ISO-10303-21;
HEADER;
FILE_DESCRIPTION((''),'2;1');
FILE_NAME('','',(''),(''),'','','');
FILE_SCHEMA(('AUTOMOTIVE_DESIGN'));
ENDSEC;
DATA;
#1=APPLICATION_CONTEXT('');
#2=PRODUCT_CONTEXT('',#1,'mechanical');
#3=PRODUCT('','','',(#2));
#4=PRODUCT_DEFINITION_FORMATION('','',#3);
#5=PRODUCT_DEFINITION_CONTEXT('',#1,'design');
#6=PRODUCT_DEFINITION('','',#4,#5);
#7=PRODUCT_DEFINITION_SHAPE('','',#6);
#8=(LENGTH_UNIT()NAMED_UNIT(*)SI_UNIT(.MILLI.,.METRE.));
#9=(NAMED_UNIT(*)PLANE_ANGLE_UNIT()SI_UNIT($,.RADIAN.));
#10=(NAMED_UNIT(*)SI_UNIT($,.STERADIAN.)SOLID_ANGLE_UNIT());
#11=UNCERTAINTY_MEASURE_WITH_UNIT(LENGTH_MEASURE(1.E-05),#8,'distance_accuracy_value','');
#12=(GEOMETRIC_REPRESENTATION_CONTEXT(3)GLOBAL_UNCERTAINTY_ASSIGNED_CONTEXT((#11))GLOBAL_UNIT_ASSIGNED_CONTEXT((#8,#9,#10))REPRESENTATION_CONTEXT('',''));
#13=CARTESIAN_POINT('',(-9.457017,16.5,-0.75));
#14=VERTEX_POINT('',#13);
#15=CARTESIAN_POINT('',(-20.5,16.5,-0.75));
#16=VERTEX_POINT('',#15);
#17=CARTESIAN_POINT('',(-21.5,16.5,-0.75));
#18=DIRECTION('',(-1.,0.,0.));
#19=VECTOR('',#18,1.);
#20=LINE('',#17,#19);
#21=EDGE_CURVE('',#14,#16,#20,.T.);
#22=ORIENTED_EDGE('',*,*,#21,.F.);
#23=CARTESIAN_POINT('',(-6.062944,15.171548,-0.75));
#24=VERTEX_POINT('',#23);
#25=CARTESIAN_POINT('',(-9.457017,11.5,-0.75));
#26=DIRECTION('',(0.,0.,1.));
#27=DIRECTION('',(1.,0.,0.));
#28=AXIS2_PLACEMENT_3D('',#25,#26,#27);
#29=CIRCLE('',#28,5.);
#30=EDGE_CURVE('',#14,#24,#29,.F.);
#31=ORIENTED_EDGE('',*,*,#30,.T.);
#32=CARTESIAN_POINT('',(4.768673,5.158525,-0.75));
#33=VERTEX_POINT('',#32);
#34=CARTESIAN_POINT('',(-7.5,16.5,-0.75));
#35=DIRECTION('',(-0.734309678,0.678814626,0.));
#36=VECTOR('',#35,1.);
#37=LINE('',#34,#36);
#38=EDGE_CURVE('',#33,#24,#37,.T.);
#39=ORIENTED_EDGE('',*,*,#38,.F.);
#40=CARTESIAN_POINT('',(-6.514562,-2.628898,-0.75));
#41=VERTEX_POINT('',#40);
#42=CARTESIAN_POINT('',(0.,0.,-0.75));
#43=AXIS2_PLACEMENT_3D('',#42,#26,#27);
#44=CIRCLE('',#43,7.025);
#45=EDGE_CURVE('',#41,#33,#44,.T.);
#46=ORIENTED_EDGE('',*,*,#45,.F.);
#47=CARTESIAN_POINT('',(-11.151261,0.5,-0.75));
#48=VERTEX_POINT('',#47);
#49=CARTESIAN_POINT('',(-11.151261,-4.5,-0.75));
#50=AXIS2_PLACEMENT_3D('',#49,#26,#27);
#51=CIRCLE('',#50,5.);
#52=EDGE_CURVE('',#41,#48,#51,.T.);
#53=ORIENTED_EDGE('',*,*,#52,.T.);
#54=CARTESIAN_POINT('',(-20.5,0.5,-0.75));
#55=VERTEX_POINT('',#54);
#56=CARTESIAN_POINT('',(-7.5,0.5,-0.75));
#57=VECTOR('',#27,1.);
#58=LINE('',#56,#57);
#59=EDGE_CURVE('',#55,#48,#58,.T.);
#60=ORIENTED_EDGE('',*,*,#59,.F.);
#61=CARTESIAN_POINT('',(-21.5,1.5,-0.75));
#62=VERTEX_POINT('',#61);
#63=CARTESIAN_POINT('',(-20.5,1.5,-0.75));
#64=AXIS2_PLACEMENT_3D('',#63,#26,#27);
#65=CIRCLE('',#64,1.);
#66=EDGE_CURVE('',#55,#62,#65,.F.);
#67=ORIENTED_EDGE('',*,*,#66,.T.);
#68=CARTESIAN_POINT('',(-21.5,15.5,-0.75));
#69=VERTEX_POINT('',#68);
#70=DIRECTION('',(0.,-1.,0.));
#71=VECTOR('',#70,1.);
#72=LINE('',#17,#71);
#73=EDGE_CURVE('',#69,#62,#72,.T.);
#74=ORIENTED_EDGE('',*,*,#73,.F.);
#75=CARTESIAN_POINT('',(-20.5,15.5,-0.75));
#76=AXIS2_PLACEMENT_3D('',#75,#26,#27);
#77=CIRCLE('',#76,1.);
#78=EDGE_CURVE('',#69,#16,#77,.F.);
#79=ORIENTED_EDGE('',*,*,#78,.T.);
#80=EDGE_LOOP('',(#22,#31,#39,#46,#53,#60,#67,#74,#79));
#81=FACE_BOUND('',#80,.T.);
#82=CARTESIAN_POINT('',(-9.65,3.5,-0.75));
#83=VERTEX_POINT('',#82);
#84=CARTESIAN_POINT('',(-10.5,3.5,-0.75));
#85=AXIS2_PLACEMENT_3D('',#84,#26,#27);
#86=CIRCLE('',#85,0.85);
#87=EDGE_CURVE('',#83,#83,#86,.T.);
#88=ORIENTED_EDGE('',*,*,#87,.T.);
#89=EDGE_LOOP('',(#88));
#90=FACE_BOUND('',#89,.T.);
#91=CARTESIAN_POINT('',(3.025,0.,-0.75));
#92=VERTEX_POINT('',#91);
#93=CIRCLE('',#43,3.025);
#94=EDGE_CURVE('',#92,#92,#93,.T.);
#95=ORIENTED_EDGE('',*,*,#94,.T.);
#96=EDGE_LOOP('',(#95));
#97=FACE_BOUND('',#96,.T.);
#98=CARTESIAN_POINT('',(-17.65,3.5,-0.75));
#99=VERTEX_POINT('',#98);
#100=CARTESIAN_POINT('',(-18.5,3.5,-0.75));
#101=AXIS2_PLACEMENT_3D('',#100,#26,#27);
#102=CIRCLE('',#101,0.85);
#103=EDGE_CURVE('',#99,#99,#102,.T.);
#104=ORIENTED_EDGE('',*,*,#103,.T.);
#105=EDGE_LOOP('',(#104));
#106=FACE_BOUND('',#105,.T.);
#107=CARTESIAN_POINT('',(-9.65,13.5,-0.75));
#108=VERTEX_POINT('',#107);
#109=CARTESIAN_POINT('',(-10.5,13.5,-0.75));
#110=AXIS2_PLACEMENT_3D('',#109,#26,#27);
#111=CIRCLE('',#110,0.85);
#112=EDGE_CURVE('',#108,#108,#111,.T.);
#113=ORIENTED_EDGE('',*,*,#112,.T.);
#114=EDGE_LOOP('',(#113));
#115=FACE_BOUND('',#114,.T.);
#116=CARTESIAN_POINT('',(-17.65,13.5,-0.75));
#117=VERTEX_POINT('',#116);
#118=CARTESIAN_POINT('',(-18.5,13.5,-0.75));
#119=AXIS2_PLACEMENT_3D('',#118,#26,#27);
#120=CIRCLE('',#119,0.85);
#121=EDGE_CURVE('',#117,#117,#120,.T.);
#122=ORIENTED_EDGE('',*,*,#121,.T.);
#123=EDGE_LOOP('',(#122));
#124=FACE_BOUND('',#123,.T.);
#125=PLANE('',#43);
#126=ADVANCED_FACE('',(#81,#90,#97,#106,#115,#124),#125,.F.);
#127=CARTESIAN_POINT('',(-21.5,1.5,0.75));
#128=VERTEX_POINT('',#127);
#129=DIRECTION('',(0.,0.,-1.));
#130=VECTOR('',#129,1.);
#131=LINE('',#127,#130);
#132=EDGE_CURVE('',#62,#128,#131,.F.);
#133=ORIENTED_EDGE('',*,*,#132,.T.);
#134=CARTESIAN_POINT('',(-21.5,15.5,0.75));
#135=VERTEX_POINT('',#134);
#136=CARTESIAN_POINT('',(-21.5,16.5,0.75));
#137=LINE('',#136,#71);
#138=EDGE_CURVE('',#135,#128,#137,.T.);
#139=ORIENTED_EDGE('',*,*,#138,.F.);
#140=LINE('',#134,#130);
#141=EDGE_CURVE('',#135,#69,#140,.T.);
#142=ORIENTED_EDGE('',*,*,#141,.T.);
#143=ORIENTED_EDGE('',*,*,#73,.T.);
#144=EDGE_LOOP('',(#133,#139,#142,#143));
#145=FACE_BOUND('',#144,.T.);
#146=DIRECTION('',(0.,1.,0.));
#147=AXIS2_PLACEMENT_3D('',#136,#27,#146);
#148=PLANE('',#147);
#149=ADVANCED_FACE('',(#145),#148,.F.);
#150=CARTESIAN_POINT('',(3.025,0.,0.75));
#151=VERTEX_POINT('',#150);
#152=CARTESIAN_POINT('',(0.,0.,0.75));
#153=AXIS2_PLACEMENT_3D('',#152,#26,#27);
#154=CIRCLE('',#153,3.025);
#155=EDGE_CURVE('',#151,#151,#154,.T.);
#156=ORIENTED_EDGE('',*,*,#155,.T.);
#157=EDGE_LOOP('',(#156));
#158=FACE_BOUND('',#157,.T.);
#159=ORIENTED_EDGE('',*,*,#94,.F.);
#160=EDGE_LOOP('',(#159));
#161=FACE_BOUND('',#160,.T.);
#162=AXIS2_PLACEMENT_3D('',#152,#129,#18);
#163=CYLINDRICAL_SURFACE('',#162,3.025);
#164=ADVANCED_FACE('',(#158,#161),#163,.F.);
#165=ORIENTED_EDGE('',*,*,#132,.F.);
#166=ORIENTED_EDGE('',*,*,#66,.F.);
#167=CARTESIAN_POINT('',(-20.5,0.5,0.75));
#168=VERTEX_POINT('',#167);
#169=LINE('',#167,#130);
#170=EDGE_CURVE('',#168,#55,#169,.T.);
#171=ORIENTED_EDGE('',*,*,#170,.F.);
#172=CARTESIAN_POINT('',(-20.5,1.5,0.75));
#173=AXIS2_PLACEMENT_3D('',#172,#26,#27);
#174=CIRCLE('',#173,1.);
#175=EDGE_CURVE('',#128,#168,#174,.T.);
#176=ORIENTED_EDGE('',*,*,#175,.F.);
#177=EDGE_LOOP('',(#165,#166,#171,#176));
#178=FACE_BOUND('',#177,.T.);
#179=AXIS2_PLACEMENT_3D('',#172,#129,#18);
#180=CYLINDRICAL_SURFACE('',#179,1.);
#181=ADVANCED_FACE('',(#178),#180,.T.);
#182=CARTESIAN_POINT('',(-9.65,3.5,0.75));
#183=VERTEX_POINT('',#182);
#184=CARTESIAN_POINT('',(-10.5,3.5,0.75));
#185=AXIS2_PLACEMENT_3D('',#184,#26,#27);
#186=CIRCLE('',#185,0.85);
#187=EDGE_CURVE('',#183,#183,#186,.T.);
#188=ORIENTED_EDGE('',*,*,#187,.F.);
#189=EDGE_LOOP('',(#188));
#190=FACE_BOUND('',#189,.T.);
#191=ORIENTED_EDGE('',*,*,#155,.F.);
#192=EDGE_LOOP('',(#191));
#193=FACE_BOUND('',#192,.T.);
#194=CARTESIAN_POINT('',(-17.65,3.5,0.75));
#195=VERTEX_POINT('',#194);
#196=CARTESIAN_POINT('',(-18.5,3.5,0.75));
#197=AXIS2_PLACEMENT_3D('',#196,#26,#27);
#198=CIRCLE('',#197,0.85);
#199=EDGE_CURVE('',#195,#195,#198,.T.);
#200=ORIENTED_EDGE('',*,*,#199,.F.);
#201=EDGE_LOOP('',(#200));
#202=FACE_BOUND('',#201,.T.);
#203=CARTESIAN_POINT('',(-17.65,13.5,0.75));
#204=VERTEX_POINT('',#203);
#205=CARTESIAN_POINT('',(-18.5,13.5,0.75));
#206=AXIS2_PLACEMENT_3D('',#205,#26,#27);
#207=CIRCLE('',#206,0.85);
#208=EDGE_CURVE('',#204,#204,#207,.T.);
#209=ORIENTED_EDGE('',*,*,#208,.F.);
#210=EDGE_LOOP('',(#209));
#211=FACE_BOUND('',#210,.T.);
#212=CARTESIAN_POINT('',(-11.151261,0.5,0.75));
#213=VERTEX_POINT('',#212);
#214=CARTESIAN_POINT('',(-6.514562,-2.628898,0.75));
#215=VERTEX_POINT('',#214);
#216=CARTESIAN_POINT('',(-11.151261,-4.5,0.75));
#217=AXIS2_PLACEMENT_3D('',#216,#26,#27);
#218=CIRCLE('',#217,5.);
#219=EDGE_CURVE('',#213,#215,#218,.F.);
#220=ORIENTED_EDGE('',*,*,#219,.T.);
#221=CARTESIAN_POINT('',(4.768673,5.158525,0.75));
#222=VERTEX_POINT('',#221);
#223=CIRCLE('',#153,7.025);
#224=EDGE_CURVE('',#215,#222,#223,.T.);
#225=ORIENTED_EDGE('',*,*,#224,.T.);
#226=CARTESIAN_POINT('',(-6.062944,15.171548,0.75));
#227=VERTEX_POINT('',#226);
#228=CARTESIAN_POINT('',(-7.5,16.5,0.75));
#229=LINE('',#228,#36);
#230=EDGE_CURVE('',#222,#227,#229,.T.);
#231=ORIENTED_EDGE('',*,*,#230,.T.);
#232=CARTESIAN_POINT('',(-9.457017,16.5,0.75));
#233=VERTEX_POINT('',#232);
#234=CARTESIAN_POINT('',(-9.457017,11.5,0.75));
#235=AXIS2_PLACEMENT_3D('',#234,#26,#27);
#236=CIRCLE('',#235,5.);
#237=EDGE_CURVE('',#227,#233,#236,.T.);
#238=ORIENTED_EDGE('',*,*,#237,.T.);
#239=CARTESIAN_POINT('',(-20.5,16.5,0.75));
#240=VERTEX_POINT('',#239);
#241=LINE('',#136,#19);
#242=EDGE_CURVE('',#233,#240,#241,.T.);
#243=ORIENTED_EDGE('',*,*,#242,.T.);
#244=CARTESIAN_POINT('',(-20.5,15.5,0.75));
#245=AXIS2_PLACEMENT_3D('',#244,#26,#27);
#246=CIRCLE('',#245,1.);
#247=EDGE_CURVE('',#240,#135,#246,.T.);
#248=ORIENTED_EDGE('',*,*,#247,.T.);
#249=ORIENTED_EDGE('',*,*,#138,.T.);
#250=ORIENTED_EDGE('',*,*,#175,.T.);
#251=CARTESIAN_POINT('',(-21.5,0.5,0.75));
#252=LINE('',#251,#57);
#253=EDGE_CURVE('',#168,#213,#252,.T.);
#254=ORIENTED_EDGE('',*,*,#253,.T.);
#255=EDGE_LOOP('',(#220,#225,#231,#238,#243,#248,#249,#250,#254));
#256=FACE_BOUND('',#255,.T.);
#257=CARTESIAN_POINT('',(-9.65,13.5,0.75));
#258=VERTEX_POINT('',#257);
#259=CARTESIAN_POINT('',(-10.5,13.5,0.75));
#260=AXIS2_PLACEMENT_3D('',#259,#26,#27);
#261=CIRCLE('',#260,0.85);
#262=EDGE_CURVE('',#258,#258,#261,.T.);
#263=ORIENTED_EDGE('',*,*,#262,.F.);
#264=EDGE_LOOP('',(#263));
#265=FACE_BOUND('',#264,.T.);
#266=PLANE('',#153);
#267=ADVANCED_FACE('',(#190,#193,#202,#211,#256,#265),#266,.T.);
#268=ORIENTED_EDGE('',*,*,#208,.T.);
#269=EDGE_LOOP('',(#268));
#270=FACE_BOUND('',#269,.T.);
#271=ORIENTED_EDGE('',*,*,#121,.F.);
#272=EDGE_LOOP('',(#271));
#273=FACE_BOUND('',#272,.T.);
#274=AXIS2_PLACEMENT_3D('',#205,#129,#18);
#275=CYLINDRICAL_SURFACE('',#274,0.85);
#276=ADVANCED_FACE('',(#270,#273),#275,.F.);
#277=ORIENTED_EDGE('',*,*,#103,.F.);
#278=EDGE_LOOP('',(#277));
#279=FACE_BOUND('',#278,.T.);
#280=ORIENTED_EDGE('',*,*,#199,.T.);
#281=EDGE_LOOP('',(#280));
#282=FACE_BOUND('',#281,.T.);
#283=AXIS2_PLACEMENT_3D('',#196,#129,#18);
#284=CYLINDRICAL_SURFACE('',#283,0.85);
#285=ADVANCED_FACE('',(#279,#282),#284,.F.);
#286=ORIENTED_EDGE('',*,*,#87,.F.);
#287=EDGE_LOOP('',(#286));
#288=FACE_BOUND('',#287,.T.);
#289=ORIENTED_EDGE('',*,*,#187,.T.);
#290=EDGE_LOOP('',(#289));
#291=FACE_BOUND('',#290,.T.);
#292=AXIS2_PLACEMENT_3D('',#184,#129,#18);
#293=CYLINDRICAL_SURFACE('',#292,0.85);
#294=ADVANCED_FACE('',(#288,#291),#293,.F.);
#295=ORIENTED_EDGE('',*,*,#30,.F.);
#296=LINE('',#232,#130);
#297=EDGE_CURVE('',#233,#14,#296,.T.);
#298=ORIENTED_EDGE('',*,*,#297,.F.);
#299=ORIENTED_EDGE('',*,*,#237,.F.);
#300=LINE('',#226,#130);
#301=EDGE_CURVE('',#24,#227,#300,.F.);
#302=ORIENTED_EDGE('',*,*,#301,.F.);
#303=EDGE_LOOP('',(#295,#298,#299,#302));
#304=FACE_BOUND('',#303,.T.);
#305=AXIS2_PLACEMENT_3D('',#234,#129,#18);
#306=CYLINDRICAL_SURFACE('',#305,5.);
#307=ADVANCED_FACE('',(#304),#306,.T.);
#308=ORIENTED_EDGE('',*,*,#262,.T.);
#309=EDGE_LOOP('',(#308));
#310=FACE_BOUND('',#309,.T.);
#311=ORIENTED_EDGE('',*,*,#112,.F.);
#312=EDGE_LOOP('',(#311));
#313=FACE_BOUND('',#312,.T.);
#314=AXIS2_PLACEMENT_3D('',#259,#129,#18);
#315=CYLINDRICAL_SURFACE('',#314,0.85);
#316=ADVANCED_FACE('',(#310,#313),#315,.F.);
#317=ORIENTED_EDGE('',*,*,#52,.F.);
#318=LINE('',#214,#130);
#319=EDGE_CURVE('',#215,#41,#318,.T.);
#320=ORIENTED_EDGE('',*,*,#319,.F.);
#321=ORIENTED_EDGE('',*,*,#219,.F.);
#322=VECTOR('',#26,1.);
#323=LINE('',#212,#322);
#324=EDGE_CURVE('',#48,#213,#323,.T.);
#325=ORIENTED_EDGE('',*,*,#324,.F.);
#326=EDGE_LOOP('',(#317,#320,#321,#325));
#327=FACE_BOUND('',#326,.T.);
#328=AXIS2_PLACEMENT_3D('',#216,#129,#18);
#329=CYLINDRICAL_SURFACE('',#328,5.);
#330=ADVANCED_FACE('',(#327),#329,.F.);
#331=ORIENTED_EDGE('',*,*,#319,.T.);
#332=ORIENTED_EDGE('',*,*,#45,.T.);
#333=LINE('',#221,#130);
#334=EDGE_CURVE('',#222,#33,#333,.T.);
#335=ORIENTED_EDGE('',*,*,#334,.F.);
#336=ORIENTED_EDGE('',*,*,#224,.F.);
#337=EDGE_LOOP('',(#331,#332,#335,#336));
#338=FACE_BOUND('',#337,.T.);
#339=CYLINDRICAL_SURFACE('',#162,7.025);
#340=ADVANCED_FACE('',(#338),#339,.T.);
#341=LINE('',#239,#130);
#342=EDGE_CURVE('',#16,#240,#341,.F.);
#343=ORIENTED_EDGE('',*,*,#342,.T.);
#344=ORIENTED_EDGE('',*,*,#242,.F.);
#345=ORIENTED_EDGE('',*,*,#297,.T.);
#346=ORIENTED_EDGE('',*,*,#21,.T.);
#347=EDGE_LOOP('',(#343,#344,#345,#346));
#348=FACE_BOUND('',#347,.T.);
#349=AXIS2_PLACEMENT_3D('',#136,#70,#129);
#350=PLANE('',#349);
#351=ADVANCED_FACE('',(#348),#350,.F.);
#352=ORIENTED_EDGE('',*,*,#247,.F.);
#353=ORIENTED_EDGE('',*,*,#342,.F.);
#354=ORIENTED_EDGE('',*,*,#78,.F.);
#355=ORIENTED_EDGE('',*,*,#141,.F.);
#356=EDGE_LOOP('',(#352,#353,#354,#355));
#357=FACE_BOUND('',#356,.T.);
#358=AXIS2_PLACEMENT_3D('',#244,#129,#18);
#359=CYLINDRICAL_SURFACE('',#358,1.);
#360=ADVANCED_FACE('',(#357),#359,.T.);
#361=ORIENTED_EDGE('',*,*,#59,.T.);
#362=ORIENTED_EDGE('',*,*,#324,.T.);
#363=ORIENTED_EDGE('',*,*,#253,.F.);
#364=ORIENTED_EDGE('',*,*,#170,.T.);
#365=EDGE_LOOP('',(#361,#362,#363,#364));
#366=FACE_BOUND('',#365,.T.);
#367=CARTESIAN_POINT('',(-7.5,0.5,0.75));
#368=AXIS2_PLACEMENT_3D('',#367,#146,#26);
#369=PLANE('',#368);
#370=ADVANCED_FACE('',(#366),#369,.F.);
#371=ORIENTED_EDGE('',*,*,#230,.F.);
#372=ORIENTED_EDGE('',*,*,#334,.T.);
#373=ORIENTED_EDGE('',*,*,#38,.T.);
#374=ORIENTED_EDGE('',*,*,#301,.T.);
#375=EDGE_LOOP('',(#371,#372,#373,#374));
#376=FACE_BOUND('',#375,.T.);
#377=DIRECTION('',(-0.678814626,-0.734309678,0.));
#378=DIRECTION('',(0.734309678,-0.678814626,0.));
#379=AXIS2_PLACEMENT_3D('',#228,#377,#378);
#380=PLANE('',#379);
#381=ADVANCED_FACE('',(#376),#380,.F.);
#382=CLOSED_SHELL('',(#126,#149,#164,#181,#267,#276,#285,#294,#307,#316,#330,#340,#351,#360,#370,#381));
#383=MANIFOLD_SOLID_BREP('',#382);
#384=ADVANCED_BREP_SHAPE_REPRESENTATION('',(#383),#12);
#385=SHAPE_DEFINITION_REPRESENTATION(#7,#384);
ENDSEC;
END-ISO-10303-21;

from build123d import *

# Parameters (mm, degrees)
ESQUISSE1_R        = 3.025
ESQUISSE1_R_2      = 0.85
BOSS_EXTRU_1_DEPTH = 0.75
CONG_1_R           = 5
CONG_2_R           = 1


with BuildPart() as part:
    # Esquisse1 → Boss.-Extru.1 (new body, symmetric)
    with BuildSketch(Plane.XY):
        with BuildLine():
            Line((-7.5, 16.5), (4.768672746, 5.158525491))
            ThreePointArc((4.768672746, 5.158525491), (2.584220944, -6.532413575), (-7.007183814, 0.5))
            Line((-7.007183814, 0.5), (-7.5, 0.5))
            Line((-7.5, 0.5), (-21.5, 0.5))
            Line((-21.5, 0.5), (-21.5, 16.5))
            Line((-21.5, 16.5), (-7.5, 16.5))
        make_face()
        Circle(ESQUISSE1_R, mode=Mode.SUBTRACT)
        with Locations((-18.5, 13.5)):
            Circle(ESQUISSE1_R_2, mode=Mode.SUBTRACT)
        with Locations((-10.5, 13.5)):
            Circle(ESQUISSE1_R_2, mode=Mode.SUBTRACT)
        with Locations((-10.5, 3.5)):
            Circle(ESQUISSE1_R_2, mode=Mode.SUBTRACT)
        with Locations((-18.5, 3.5)):
            Circle(ESQUISSE1_R_2, mode=Mode.SUBTRACT)
    extrude(amount=BOSS_EXTRU_1_DEPTH, both=True)

    # Congé1
    cong_1_edges = [part.edges().sort_by_distance(p)[0] for p in [
        (-7.5, 16.5, 0),
        (-7.007183814, 0.5, 0),
    ]]
    fillet(cong_1_edges, radius=CONG_1_R)

    # Congé2
    cong_2_edges = [part.edges().sort_by_distance(p)[0] for p in [
        (-21.5, 16.5, 0),
        (-21.5, 0.5, 0),
    ]]
    fillet(cong_2_edges, radius=CONG_2_R)


solid = part.part
